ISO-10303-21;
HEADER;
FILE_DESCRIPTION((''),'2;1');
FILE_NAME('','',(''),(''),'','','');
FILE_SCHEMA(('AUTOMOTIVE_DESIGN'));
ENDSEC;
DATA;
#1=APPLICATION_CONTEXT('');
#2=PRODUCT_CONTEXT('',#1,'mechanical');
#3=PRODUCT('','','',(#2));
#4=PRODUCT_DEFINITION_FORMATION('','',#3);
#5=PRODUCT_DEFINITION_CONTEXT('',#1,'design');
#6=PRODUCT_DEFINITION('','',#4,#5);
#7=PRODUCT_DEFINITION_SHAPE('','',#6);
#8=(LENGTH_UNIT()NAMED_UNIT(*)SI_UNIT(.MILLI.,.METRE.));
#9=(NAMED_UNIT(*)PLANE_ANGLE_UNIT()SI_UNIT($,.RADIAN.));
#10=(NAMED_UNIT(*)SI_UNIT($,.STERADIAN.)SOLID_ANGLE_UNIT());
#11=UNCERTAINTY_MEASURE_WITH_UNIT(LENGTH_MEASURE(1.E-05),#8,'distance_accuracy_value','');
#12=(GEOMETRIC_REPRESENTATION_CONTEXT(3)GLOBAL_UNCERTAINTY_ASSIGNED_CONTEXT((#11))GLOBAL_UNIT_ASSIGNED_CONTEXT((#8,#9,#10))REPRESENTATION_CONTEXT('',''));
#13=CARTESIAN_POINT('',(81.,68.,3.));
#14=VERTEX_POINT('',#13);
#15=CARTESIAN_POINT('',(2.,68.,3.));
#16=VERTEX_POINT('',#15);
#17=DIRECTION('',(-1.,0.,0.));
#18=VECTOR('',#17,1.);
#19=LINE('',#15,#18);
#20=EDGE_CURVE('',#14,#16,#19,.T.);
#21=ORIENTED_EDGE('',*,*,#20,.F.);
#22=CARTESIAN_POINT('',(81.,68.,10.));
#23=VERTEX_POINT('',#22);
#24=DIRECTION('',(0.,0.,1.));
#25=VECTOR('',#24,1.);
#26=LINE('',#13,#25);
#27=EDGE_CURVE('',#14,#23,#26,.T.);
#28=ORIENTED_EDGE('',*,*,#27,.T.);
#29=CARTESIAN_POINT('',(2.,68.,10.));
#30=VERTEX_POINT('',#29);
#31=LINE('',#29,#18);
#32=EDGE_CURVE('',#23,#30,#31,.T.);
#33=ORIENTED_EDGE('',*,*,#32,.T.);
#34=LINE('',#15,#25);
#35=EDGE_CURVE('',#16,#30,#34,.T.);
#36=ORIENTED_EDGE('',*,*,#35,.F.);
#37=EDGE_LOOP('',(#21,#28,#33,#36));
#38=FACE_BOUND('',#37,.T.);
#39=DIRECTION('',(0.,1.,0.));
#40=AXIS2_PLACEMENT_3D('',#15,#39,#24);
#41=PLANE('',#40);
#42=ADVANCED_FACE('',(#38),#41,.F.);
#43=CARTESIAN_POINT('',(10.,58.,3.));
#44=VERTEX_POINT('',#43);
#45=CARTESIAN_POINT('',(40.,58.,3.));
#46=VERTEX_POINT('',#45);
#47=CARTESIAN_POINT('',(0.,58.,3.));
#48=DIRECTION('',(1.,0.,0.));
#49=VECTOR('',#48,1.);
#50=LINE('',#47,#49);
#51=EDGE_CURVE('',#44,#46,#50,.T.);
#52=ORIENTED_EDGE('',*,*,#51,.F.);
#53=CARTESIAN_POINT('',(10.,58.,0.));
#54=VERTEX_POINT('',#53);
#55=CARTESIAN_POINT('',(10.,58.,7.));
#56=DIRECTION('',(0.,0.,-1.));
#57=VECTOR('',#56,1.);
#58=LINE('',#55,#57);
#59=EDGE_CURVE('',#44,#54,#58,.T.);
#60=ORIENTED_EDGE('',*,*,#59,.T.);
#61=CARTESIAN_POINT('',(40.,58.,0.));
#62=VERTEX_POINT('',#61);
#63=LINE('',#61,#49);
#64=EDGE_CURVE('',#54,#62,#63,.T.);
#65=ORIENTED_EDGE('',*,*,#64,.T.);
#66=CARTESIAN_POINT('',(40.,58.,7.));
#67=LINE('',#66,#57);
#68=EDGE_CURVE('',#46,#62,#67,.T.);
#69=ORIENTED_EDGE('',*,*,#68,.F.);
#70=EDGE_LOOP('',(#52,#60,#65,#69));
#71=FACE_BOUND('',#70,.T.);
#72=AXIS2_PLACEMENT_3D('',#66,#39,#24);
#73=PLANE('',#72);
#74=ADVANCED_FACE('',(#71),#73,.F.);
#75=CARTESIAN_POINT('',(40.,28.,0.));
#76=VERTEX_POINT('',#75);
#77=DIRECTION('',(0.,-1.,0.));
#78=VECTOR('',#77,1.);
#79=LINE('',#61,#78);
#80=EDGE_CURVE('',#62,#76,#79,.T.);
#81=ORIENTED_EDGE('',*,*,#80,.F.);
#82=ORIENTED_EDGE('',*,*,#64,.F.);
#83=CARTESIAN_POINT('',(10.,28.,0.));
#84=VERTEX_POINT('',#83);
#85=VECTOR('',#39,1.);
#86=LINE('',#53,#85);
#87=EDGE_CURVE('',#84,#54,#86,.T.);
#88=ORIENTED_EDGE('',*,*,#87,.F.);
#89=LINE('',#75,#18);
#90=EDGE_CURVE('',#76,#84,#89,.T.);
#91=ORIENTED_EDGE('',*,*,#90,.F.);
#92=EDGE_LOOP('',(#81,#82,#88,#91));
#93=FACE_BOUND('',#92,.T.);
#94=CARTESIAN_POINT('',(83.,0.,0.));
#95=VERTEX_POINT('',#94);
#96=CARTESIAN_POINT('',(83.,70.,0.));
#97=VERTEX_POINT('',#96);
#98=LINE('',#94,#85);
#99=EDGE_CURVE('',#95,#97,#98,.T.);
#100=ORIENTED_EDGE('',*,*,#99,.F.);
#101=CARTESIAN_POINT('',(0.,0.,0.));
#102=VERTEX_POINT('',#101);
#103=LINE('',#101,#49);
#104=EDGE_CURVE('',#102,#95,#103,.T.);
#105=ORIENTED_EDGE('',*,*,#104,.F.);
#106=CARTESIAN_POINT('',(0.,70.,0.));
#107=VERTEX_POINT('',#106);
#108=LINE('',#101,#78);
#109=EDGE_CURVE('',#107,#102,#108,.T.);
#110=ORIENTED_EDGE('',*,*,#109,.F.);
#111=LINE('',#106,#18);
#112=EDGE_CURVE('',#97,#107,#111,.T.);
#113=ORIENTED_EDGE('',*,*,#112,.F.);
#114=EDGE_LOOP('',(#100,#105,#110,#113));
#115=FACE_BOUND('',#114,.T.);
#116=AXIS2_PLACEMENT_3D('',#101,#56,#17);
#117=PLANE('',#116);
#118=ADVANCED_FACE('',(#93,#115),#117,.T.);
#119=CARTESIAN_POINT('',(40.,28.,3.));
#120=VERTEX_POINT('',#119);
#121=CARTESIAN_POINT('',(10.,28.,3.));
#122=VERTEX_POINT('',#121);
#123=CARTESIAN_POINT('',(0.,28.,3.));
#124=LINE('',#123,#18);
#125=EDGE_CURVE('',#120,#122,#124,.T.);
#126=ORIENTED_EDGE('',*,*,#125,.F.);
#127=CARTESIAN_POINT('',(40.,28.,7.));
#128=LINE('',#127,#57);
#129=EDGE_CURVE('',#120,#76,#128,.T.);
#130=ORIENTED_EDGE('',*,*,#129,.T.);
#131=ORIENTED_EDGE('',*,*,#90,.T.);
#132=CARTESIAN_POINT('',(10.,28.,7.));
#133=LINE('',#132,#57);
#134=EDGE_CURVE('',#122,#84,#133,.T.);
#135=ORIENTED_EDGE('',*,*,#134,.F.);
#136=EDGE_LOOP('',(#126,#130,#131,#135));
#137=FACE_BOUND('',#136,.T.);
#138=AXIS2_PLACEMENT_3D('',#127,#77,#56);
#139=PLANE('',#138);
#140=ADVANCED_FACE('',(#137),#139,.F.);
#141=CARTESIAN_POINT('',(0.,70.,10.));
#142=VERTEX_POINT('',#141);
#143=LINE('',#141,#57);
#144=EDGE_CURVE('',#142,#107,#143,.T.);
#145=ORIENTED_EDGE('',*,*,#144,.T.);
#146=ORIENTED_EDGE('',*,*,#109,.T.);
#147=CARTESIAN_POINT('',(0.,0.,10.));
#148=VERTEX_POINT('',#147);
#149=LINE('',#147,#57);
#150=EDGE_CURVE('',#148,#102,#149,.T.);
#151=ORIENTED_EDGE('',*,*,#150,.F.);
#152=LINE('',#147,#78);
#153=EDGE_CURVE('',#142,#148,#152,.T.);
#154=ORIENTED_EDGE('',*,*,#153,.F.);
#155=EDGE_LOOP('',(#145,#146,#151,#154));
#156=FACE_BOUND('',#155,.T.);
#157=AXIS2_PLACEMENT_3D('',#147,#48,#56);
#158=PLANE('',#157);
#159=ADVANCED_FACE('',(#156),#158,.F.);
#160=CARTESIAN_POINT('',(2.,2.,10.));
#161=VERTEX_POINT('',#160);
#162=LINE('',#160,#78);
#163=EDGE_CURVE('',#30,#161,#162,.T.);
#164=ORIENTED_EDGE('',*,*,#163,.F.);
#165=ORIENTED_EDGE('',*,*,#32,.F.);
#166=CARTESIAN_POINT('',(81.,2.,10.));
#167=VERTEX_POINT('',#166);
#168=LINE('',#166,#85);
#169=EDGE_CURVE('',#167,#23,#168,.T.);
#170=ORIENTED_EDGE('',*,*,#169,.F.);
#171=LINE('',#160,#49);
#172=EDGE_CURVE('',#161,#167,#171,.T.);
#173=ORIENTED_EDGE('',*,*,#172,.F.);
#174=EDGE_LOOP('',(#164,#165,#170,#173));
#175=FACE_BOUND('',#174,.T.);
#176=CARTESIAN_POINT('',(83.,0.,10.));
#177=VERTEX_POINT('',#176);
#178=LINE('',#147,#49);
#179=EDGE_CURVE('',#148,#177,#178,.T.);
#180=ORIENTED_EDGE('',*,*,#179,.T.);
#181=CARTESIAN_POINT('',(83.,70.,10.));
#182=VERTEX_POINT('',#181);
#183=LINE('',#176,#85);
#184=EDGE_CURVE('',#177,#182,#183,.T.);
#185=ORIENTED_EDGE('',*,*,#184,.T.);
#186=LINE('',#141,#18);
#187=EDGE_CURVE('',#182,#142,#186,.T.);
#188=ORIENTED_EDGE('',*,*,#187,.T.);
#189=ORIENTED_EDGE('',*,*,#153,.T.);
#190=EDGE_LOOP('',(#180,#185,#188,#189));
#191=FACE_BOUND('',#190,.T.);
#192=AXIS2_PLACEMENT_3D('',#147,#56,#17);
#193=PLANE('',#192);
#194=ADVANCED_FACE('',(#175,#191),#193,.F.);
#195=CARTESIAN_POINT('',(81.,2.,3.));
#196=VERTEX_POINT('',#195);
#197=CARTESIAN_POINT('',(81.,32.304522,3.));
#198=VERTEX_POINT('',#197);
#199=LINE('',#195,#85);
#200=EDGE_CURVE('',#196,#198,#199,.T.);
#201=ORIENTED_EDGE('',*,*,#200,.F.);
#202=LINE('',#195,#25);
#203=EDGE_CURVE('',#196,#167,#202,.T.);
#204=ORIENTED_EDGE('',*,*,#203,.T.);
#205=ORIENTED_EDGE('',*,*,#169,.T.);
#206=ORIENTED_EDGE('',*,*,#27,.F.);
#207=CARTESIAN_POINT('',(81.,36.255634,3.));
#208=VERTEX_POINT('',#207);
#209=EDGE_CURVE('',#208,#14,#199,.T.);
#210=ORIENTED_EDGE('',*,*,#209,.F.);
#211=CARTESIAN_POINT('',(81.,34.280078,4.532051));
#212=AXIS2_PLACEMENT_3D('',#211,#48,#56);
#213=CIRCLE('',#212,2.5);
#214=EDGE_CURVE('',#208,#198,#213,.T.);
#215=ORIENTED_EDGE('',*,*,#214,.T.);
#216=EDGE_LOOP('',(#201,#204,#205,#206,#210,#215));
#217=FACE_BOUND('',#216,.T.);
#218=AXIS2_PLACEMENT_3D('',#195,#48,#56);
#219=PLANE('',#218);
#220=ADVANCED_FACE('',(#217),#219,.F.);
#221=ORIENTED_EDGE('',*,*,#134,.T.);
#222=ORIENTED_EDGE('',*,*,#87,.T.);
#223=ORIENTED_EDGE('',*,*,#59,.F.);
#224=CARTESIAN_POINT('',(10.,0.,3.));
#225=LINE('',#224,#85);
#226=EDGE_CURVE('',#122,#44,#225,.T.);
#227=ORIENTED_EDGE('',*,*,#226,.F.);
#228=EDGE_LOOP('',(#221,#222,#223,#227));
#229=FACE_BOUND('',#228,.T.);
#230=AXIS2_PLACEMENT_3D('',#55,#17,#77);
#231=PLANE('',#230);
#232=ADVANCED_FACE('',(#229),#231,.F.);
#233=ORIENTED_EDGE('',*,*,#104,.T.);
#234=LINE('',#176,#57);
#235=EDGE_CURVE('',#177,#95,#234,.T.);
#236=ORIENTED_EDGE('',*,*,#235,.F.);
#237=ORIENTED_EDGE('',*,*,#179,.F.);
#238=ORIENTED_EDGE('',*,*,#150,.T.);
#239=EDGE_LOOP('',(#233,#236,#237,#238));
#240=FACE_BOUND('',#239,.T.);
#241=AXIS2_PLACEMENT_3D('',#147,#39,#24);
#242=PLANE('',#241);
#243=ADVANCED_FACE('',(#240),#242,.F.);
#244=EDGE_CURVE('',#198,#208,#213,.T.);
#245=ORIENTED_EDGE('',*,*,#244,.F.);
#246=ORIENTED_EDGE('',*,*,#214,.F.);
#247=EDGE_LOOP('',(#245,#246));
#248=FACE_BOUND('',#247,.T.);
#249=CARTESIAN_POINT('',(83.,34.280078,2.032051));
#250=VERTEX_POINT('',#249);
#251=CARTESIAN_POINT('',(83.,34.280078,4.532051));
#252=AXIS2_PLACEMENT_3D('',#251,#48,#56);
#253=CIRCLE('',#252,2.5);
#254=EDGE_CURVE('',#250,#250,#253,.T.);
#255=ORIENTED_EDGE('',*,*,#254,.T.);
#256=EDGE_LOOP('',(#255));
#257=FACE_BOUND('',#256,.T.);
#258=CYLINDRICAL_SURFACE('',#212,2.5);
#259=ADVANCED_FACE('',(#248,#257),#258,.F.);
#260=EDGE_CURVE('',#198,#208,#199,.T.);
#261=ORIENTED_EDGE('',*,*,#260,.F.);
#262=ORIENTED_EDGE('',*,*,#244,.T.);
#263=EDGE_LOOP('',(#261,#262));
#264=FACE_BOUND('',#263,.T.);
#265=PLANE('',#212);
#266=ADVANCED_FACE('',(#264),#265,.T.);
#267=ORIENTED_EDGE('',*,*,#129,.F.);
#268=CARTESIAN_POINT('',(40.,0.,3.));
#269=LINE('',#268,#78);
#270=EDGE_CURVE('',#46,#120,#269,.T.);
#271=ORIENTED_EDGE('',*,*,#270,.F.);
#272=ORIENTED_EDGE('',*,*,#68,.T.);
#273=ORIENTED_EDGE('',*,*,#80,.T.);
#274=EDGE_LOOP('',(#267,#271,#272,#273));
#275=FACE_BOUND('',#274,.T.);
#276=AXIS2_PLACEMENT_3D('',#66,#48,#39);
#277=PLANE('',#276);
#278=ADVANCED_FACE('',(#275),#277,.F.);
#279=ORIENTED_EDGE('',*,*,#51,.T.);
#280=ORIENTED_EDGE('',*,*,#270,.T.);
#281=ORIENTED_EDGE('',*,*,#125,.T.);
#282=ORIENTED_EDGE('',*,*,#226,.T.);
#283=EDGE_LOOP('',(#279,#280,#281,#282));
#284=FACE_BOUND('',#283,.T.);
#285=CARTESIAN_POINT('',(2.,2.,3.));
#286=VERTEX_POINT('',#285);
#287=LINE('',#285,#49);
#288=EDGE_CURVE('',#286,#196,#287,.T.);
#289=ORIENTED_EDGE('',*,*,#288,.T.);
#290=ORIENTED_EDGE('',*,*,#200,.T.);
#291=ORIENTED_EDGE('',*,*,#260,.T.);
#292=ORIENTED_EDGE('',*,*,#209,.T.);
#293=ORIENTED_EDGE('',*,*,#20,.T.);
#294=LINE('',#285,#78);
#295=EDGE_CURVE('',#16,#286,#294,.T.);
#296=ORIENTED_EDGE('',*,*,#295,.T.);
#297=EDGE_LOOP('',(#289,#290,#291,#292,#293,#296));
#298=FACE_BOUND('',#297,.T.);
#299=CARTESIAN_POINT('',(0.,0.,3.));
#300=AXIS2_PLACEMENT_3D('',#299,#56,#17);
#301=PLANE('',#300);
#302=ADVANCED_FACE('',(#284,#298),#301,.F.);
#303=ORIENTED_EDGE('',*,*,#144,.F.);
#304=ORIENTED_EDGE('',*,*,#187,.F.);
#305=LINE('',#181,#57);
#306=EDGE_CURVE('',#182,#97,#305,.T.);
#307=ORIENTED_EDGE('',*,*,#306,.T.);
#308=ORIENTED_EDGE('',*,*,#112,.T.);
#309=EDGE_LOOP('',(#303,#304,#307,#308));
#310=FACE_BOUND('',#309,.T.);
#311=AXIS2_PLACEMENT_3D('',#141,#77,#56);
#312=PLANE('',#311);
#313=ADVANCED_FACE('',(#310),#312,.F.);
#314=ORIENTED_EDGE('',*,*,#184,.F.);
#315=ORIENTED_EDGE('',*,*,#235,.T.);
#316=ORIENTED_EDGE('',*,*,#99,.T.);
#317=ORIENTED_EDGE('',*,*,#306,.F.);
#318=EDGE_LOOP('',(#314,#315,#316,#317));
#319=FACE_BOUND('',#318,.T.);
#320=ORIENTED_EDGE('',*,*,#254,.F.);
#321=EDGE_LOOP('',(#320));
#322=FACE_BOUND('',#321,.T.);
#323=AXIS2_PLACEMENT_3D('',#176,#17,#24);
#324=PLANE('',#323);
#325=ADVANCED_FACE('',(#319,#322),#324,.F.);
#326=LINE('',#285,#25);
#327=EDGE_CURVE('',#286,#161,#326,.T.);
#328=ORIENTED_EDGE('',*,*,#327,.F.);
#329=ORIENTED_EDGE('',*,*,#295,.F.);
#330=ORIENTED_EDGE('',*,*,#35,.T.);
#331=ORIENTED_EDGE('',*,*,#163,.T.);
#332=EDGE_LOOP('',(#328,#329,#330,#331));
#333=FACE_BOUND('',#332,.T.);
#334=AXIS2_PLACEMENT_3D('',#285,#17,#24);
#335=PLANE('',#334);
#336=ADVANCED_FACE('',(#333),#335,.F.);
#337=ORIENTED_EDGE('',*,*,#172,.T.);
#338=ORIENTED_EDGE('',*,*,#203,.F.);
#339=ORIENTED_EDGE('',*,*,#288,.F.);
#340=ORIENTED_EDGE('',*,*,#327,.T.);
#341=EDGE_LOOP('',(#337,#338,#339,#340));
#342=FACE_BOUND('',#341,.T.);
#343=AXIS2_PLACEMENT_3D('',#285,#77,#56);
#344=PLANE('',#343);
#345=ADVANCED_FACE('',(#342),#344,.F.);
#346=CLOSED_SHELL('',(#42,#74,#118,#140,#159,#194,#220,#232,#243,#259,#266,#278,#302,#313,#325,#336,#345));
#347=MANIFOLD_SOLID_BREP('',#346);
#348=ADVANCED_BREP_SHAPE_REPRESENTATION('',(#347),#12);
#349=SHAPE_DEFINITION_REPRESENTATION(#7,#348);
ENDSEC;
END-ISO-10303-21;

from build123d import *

# Parameters (mm, degrees)
SKETCH1_W           = 83
SKETCH1_H           = 70
BOSS_EXTRUDE1_DEPTH = 10
SKETCH3_W           = 79
SKETCH3_H           = 66
CUT_EXTRUDE1_DEPTH  = 7
SKETCH4_W           = 30
SKETCH4_H           = 30
CUT_EXTRUDE2_DEPTH  = 7
SKETCH5_R           = 2.5
CUT_EXTRUDE3_DEPTH  = 2


with BuildPart() as part:
    # Sketch1 → Boss-Extrude1 (new body)
    with BuildSketch(Plane.XY):
        with Locations((41.5, 35)):
            Rectangle(SKETCH1_W, SKETCH1_H)
    extrude(amount=BOSS_EXTRUDE1_DEPTH)

    # Sketch3 → Cut-Extrude1 (cut)
    with BuildSketch(Plane.XY.offset(10)):
        with Locations((41.5, 35)):
            Rectangle(SKETCH3_W, SKETCH3_H)
    extrude(amount=-CUT_EXTRUDE1_DEPTH, mode=Mode.SUBTRACT)

    # Sketch4 → Cut-Extrude2 (cut)
    with BuildSketch(Plane(origin=(0, 0, 0), x_dir=(-1, 0, 0), z_dir=(0, 0, -1))):
        with Locations((-25, 43)):
            Rectangle(SKETCH4_W, SKETCH4_H)
    extrude(amount=-CUT_EXTRUDE2_DEPTH, mode=Mode.SUBTRACT)

    # Sketch5 → Cut-Extrude3 (cut)
    with BuildSketch(Plane(origin=(83, 0, 0), x_dir=(0, 0, -1), z_dir=(1, 0, 0))):
        with Locations((-4.532050628, 34.280077889)):
            Circle(SKETCH5_R)
    extrude(amount=-CUT_EXTRUDE3_DEPTH, mode=Mode.SUBTRACT)


solid = part.part
